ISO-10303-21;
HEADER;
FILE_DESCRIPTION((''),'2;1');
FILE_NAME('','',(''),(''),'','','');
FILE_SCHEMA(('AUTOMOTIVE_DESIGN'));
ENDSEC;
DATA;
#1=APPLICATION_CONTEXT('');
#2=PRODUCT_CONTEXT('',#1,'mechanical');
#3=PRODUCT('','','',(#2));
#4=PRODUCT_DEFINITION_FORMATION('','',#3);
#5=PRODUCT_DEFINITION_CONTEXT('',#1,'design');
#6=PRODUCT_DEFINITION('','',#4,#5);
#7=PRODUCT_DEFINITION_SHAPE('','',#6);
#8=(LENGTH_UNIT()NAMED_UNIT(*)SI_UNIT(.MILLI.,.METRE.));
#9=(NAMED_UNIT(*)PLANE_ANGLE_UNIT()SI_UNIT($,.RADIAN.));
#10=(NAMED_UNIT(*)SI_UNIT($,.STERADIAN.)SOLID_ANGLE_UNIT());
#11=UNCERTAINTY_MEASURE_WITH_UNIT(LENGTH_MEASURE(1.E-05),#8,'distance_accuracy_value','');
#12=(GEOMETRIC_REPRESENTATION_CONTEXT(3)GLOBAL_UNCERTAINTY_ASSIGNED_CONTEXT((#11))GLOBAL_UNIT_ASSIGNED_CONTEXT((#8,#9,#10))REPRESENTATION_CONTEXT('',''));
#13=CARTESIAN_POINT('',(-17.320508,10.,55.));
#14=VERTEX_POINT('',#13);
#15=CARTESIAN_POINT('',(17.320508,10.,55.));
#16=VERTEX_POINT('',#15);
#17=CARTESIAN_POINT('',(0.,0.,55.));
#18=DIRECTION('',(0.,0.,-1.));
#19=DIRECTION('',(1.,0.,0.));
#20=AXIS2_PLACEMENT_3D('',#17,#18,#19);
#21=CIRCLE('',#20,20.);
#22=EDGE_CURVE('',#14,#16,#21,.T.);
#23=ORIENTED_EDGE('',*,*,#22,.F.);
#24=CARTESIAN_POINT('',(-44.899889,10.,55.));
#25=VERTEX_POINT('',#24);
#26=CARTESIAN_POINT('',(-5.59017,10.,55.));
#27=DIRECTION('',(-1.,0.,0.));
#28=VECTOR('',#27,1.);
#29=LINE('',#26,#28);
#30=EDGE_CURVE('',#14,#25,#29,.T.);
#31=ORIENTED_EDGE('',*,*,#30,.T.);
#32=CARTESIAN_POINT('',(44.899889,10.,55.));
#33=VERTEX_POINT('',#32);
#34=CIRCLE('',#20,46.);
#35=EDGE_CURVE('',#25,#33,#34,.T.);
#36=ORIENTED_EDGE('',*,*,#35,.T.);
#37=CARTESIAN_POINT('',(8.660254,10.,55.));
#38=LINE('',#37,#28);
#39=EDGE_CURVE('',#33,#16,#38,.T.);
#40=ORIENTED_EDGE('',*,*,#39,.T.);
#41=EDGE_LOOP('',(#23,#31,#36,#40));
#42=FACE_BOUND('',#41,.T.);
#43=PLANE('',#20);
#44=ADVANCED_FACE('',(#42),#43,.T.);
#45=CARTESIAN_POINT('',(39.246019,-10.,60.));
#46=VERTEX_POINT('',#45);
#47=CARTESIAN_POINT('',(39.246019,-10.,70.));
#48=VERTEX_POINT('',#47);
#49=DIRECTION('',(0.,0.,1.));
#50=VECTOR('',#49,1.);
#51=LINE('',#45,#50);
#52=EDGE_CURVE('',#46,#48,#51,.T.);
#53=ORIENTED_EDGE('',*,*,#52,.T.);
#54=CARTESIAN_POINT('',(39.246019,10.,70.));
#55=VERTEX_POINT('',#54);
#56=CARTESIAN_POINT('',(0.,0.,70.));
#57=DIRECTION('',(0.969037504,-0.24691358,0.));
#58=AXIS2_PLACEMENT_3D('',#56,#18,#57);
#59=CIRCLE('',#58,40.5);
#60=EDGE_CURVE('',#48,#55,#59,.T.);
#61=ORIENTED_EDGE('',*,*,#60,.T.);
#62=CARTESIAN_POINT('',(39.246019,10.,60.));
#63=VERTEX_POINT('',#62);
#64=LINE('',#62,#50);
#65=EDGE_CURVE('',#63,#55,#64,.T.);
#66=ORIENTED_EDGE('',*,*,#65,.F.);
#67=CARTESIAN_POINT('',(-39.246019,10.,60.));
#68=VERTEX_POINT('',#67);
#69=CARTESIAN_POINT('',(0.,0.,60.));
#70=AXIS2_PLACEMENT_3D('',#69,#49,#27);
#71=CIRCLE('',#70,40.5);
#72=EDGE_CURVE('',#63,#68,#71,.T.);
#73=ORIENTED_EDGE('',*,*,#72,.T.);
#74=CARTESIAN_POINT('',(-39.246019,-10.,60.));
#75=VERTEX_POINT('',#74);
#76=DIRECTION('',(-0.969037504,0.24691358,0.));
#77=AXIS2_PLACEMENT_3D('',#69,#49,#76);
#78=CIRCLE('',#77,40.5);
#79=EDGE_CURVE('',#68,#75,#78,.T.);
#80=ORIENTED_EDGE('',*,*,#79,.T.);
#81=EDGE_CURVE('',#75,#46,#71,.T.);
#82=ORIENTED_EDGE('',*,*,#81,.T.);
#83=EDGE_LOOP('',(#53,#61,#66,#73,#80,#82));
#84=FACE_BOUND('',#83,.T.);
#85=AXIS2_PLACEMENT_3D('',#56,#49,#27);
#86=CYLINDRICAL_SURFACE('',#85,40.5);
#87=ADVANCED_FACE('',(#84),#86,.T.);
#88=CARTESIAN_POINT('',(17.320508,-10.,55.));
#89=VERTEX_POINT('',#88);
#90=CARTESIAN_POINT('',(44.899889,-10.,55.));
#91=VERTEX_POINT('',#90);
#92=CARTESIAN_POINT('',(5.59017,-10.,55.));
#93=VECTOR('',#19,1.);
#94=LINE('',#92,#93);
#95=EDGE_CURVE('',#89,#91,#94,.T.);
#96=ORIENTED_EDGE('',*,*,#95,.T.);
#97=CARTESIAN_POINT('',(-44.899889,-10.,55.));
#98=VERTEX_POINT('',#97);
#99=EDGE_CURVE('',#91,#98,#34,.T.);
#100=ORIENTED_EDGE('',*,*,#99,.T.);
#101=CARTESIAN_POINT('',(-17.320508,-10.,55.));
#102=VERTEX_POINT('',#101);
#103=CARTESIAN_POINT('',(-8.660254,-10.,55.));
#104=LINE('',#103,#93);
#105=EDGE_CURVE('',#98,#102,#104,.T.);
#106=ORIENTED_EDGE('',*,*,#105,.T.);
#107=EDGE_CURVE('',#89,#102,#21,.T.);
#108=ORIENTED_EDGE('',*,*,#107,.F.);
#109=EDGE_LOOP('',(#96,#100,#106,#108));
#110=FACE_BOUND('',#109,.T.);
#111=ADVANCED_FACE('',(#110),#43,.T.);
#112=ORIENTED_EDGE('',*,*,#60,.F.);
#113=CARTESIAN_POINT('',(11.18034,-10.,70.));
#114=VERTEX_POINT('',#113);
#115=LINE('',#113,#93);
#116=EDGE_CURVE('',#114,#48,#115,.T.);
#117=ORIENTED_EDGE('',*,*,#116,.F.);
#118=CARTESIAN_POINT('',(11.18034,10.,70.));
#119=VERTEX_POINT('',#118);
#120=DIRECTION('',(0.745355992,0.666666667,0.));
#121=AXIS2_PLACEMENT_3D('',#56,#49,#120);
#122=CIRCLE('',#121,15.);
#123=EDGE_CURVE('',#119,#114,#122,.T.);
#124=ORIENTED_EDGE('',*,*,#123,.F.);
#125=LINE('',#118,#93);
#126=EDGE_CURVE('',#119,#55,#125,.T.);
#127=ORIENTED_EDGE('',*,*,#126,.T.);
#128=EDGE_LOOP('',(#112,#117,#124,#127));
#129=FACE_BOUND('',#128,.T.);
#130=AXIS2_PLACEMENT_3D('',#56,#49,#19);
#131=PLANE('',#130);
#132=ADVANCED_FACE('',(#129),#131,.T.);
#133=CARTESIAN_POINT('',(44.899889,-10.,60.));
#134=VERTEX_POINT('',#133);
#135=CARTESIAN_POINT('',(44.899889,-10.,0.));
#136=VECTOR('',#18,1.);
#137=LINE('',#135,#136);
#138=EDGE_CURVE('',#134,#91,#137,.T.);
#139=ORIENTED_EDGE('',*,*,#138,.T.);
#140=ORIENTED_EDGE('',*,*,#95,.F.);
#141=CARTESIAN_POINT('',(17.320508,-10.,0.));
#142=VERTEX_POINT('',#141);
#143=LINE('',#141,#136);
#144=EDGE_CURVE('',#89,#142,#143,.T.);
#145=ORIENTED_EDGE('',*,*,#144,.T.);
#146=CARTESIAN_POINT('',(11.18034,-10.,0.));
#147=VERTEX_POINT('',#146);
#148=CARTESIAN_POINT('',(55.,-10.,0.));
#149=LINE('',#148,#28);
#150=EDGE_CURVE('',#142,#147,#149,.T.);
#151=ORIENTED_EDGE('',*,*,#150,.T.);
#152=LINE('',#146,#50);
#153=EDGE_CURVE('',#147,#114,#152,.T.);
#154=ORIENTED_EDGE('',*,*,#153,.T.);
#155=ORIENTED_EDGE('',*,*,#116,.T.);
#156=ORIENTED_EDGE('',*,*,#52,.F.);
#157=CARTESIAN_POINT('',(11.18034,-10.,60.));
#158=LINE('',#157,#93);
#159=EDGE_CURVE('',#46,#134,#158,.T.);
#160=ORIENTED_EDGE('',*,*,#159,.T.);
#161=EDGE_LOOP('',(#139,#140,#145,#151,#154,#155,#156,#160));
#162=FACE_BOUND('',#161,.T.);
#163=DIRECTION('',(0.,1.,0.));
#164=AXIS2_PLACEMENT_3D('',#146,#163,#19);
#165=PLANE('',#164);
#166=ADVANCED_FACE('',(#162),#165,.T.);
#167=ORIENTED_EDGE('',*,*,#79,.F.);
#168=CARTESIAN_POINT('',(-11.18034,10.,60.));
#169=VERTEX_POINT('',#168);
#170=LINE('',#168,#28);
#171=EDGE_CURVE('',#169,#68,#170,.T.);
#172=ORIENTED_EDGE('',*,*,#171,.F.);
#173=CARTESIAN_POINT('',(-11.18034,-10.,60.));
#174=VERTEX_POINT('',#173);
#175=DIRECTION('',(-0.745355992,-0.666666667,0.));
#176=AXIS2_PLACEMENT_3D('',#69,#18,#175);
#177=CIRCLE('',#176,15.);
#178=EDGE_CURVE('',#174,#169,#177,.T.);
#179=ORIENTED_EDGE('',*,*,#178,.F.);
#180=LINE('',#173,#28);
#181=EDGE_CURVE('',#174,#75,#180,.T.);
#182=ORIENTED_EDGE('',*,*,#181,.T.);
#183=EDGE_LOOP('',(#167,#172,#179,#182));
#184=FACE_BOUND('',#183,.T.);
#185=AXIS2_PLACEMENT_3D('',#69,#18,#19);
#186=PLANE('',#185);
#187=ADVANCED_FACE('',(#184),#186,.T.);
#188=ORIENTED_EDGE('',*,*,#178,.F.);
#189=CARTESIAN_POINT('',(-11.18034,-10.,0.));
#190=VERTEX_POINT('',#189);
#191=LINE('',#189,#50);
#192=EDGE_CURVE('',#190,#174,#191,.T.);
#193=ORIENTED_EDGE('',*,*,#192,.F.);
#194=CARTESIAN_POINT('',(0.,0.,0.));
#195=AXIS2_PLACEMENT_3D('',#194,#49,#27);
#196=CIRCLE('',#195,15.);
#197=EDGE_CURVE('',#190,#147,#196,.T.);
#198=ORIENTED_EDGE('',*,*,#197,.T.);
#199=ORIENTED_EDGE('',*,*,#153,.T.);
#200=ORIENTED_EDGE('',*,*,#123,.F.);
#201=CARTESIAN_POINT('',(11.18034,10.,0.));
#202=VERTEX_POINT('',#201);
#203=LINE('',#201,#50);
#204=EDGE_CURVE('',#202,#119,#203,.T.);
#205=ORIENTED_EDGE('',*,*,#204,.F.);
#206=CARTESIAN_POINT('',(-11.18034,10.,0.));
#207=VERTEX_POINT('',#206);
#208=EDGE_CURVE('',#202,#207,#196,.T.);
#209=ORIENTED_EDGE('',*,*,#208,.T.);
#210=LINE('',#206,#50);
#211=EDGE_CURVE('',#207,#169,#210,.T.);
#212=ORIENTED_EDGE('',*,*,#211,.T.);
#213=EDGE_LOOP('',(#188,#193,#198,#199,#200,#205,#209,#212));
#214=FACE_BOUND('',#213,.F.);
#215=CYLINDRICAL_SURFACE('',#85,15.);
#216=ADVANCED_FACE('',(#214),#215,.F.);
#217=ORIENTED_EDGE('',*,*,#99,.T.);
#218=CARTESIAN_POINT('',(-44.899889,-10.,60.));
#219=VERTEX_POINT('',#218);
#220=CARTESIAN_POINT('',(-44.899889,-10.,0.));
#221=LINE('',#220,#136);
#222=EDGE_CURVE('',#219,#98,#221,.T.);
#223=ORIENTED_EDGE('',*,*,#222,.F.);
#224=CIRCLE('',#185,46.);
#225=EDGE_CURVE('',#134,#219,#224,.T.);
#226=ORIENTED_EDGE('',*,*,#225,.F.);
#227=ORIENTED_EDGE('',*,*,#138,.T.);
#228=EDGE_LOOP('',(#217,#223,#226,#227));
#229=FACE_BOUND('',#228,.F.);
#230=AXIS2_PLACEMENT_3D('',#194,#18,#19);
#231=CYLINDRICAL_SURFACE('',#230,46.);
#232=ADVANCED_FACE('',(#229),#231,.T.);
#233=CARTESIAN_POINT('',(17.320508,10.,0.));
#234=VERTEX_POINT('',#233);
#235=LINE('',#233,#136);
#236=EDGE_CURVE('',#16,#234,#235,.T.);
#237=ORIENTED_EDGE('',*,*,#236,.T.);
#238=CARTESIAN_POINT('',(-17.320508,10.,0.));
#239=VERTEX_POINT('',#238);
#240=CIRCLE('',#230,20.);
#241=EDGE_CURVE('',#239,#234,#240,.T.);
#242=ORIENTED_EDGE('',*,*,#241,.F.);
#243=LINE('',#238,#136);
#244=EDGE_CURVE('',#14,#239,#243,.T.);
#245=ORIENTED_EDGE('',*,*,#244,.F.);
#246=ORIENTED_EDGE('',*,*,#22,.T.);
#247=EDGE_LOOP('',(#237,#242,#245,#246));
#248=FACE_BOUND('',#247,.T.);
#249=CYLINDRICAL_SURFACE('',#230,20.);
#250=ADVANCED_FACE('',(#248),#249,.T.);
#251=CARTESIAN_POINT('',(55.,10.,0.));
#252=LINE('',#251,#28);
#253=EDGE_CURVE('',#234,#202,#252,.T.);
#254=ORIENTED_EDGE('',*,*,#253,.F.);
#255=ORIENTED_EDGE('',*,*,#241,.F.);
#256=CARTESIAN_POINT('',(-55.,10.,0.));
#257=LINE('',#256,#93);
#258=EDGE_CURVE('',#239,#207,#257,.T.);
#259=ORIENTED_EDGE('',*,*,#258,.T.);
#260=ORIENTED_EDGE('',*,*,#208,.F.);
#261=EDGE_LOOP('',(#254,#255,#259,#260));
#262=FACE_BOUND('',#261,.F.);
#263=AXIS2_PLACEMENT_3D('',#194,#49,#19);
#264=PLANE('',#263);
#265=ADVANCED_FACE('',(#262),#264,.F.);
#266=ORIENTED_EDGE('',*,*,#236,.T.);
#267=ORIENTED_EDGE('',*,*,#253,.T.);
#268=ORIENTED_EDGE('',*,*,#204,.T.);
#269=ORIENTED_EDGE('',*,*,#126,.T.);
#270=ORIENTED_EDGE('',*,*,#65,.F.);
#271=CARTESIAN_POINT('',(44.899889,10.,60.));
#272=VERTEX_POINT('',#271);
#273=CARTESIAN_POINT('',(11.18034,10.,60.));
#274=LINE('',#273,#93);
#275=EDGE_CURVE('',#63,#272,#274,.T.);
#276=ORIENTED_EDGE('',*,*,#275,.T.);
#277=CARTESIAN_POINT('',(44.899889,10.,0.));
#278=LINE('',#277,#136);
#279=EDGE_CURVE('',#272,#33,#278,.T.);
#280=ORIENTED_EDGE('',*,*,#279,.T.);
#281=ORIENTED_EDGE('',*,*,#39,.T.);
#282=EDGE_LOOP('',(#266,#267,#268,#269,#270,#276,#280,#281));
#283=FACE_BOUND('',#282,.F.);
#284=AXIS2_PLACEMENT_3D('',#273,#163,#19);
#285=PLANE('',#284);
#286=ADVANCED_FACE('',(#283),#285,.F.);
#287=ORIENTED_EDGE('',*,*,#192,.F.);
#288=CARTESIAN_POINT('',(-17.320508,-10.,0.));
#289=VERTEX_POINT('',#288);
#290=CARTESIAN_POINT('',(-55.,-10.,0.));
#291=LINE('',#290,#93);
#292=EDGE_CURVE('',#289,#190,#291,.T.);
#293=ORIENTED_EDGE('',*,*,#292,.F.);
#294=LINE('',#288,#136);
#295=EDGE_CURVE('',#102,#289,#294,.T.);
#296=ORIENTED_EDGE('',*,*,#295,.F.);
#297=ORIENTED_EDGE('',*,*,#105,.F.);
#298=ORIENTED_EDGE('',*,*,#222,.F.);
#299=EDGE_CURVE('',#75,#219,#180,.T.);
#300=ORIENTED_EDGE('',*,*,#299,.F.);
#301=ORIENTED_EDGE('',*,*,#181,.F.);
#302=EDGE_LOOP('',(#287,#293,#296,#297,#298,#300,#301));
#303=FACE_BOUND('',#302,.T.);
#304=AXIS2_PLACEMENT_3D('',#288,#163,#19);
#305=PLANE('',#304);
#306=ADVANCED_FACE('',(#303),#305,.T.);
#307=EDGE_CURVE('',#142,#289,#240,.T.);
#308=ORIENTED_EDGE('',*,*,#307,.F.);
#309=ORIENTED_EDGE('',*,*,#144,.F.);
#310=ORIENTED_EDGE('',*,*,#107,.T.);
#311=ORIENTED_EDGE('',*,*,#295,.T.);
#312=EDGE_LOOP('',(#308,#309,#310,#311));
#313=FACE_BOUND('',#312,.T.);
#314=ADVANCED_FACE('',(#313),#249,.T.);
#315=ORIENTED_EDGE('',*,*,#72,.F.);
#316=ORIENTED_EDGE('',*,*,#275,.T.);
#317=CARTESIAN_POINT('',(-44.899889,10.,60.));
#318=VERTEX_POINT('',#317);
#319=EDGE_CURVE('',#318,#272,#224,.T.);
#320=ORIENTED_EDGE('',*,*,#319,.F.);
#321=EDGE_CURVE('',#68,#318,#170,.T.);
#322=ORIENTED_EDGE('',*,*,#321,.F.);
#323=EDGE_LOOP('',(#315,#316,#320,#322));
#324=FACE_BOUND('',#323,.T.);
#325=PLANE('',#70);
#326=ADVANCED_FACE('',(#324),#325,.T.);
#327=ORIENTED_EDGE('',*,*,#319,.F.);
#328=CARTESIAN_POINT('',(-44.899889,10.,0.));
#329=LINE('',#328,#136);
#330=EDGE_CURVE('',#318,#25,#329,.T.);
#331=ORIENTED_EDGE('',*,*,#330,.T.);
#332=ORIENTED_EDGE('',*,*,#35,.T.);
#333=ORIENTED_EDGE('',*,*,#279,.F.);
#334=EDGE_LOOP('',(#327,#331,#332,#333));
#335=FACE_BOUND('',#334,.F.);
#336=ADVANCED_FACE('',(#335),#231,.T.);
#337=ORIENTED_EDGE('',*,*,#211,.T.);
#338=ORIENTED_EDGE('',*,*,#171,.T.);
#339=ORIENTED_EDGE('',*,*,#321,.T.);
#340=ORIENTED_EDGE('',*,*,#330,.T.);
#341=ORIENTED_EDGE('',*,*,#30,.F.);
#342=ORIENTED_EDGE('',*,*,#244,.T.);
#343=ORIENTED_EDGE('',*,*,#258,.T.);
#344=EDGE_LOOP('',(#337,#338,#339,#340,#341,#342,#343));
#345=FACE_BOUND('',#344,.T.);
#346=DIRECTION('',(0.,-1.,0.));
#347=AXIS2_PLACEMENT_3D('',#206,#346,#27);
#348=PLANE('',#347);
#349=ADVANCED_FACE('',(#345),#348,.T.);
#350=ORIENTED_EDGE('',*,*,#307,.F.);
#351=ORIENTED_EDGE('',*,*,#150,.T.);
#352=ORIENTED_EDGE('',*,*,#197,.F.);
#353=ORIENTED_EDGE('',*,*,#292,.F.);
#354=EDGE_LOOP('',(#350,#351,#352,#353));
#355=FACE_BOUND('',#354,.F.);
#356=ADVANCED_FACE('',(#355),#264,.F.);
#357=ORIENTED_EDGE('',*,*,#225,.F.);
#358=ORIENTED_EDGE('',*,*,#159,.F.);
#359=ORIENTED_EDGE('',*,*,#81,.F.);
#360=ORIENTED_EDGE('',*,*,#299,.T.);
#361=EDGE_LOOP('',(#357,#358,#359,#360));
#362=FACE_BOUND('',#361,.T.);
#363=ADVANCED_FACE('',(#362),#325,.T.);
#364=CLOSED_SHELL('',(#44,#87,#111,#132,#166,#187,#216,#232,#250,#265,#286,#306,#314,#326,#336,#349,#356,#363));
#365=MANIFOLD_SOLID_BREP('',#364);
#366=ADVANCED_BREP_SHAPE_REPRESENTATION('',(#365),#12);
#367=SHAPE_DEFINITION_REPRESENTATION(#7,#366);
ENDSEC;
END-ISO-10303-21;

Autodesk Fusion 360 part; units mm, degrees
sketch "スケッチ1" plane through (0, 0, 0) normal (0, 0, 1) x (1, 0, 0)
  circle A0 centre (0, 0) radius 46
  dimension "d1" = 92
extrude "押し出し1" add sketch "スケッチ1" along normal blind 70
sketch "スケッチ2" plane through (0, 0, 70) normal (0, 0, 1) x (-1, 0, 0)
  circle A0 centre (0, 0) radius 46
  circle A1 centre (0, 0) radius 40.5
  dimension "d4" = 81
extrude "押し出し2" cut sketch "スケッチ2" against normal blind 10
sketch "スケッチ3" plane through (0, 0, 70) normal (0, 0, 1) x (-1, 0, 0)
  circle A0 centre (0, 0) radius 40.5
  circle A1 centre (0, 0) radius 15
  dimension "d7" = 30
extrude "押し出し3" cut sketch "スケッチ3" against normal blind 100 contours A1
sketch "スケッチ4" plane through (0, 0, 0) normal (0, 0, -1) x (1, 0, 0)
  circle A0 centre (0, 0) radius 15
  circle A1 centre (0, 0) radius 46
  circle A2 centre (0, 0) radius 20
  dimension "d12" = 40
extrude "押し出し4" cut sketch "スケッチ4" against normal blind 55 contours A1
sketch "スケッチ5" plane through (0, 0, 0) normal (0, 0, -1) x (1, 0, 0)
  circle A0 centre (0, 0) radius 20
  circle A1 centre (0, 0) radius 15
  line L0 (-55, 10) -> (55, 10)
  line L1 (55, 10) -> (55, -10)
  line L2 (55, -10) -> (-55, -10)
  line L3 (-55, -10) -> (-55, 10)
extrude "押し出し5" cut sketch "スケッチ5" against normal blind 60 contours A0 A1 L0 L2 | A0 L0 L1 L2 | A0 A1 L0 L2 | A0 L0 L2 L3
extrude "押し出し6" cut 1 faces at (31.4239, 5.7402, 60) along direction (0, 0, 1) blind 10
fillet "フィレット1" [suppressed]
